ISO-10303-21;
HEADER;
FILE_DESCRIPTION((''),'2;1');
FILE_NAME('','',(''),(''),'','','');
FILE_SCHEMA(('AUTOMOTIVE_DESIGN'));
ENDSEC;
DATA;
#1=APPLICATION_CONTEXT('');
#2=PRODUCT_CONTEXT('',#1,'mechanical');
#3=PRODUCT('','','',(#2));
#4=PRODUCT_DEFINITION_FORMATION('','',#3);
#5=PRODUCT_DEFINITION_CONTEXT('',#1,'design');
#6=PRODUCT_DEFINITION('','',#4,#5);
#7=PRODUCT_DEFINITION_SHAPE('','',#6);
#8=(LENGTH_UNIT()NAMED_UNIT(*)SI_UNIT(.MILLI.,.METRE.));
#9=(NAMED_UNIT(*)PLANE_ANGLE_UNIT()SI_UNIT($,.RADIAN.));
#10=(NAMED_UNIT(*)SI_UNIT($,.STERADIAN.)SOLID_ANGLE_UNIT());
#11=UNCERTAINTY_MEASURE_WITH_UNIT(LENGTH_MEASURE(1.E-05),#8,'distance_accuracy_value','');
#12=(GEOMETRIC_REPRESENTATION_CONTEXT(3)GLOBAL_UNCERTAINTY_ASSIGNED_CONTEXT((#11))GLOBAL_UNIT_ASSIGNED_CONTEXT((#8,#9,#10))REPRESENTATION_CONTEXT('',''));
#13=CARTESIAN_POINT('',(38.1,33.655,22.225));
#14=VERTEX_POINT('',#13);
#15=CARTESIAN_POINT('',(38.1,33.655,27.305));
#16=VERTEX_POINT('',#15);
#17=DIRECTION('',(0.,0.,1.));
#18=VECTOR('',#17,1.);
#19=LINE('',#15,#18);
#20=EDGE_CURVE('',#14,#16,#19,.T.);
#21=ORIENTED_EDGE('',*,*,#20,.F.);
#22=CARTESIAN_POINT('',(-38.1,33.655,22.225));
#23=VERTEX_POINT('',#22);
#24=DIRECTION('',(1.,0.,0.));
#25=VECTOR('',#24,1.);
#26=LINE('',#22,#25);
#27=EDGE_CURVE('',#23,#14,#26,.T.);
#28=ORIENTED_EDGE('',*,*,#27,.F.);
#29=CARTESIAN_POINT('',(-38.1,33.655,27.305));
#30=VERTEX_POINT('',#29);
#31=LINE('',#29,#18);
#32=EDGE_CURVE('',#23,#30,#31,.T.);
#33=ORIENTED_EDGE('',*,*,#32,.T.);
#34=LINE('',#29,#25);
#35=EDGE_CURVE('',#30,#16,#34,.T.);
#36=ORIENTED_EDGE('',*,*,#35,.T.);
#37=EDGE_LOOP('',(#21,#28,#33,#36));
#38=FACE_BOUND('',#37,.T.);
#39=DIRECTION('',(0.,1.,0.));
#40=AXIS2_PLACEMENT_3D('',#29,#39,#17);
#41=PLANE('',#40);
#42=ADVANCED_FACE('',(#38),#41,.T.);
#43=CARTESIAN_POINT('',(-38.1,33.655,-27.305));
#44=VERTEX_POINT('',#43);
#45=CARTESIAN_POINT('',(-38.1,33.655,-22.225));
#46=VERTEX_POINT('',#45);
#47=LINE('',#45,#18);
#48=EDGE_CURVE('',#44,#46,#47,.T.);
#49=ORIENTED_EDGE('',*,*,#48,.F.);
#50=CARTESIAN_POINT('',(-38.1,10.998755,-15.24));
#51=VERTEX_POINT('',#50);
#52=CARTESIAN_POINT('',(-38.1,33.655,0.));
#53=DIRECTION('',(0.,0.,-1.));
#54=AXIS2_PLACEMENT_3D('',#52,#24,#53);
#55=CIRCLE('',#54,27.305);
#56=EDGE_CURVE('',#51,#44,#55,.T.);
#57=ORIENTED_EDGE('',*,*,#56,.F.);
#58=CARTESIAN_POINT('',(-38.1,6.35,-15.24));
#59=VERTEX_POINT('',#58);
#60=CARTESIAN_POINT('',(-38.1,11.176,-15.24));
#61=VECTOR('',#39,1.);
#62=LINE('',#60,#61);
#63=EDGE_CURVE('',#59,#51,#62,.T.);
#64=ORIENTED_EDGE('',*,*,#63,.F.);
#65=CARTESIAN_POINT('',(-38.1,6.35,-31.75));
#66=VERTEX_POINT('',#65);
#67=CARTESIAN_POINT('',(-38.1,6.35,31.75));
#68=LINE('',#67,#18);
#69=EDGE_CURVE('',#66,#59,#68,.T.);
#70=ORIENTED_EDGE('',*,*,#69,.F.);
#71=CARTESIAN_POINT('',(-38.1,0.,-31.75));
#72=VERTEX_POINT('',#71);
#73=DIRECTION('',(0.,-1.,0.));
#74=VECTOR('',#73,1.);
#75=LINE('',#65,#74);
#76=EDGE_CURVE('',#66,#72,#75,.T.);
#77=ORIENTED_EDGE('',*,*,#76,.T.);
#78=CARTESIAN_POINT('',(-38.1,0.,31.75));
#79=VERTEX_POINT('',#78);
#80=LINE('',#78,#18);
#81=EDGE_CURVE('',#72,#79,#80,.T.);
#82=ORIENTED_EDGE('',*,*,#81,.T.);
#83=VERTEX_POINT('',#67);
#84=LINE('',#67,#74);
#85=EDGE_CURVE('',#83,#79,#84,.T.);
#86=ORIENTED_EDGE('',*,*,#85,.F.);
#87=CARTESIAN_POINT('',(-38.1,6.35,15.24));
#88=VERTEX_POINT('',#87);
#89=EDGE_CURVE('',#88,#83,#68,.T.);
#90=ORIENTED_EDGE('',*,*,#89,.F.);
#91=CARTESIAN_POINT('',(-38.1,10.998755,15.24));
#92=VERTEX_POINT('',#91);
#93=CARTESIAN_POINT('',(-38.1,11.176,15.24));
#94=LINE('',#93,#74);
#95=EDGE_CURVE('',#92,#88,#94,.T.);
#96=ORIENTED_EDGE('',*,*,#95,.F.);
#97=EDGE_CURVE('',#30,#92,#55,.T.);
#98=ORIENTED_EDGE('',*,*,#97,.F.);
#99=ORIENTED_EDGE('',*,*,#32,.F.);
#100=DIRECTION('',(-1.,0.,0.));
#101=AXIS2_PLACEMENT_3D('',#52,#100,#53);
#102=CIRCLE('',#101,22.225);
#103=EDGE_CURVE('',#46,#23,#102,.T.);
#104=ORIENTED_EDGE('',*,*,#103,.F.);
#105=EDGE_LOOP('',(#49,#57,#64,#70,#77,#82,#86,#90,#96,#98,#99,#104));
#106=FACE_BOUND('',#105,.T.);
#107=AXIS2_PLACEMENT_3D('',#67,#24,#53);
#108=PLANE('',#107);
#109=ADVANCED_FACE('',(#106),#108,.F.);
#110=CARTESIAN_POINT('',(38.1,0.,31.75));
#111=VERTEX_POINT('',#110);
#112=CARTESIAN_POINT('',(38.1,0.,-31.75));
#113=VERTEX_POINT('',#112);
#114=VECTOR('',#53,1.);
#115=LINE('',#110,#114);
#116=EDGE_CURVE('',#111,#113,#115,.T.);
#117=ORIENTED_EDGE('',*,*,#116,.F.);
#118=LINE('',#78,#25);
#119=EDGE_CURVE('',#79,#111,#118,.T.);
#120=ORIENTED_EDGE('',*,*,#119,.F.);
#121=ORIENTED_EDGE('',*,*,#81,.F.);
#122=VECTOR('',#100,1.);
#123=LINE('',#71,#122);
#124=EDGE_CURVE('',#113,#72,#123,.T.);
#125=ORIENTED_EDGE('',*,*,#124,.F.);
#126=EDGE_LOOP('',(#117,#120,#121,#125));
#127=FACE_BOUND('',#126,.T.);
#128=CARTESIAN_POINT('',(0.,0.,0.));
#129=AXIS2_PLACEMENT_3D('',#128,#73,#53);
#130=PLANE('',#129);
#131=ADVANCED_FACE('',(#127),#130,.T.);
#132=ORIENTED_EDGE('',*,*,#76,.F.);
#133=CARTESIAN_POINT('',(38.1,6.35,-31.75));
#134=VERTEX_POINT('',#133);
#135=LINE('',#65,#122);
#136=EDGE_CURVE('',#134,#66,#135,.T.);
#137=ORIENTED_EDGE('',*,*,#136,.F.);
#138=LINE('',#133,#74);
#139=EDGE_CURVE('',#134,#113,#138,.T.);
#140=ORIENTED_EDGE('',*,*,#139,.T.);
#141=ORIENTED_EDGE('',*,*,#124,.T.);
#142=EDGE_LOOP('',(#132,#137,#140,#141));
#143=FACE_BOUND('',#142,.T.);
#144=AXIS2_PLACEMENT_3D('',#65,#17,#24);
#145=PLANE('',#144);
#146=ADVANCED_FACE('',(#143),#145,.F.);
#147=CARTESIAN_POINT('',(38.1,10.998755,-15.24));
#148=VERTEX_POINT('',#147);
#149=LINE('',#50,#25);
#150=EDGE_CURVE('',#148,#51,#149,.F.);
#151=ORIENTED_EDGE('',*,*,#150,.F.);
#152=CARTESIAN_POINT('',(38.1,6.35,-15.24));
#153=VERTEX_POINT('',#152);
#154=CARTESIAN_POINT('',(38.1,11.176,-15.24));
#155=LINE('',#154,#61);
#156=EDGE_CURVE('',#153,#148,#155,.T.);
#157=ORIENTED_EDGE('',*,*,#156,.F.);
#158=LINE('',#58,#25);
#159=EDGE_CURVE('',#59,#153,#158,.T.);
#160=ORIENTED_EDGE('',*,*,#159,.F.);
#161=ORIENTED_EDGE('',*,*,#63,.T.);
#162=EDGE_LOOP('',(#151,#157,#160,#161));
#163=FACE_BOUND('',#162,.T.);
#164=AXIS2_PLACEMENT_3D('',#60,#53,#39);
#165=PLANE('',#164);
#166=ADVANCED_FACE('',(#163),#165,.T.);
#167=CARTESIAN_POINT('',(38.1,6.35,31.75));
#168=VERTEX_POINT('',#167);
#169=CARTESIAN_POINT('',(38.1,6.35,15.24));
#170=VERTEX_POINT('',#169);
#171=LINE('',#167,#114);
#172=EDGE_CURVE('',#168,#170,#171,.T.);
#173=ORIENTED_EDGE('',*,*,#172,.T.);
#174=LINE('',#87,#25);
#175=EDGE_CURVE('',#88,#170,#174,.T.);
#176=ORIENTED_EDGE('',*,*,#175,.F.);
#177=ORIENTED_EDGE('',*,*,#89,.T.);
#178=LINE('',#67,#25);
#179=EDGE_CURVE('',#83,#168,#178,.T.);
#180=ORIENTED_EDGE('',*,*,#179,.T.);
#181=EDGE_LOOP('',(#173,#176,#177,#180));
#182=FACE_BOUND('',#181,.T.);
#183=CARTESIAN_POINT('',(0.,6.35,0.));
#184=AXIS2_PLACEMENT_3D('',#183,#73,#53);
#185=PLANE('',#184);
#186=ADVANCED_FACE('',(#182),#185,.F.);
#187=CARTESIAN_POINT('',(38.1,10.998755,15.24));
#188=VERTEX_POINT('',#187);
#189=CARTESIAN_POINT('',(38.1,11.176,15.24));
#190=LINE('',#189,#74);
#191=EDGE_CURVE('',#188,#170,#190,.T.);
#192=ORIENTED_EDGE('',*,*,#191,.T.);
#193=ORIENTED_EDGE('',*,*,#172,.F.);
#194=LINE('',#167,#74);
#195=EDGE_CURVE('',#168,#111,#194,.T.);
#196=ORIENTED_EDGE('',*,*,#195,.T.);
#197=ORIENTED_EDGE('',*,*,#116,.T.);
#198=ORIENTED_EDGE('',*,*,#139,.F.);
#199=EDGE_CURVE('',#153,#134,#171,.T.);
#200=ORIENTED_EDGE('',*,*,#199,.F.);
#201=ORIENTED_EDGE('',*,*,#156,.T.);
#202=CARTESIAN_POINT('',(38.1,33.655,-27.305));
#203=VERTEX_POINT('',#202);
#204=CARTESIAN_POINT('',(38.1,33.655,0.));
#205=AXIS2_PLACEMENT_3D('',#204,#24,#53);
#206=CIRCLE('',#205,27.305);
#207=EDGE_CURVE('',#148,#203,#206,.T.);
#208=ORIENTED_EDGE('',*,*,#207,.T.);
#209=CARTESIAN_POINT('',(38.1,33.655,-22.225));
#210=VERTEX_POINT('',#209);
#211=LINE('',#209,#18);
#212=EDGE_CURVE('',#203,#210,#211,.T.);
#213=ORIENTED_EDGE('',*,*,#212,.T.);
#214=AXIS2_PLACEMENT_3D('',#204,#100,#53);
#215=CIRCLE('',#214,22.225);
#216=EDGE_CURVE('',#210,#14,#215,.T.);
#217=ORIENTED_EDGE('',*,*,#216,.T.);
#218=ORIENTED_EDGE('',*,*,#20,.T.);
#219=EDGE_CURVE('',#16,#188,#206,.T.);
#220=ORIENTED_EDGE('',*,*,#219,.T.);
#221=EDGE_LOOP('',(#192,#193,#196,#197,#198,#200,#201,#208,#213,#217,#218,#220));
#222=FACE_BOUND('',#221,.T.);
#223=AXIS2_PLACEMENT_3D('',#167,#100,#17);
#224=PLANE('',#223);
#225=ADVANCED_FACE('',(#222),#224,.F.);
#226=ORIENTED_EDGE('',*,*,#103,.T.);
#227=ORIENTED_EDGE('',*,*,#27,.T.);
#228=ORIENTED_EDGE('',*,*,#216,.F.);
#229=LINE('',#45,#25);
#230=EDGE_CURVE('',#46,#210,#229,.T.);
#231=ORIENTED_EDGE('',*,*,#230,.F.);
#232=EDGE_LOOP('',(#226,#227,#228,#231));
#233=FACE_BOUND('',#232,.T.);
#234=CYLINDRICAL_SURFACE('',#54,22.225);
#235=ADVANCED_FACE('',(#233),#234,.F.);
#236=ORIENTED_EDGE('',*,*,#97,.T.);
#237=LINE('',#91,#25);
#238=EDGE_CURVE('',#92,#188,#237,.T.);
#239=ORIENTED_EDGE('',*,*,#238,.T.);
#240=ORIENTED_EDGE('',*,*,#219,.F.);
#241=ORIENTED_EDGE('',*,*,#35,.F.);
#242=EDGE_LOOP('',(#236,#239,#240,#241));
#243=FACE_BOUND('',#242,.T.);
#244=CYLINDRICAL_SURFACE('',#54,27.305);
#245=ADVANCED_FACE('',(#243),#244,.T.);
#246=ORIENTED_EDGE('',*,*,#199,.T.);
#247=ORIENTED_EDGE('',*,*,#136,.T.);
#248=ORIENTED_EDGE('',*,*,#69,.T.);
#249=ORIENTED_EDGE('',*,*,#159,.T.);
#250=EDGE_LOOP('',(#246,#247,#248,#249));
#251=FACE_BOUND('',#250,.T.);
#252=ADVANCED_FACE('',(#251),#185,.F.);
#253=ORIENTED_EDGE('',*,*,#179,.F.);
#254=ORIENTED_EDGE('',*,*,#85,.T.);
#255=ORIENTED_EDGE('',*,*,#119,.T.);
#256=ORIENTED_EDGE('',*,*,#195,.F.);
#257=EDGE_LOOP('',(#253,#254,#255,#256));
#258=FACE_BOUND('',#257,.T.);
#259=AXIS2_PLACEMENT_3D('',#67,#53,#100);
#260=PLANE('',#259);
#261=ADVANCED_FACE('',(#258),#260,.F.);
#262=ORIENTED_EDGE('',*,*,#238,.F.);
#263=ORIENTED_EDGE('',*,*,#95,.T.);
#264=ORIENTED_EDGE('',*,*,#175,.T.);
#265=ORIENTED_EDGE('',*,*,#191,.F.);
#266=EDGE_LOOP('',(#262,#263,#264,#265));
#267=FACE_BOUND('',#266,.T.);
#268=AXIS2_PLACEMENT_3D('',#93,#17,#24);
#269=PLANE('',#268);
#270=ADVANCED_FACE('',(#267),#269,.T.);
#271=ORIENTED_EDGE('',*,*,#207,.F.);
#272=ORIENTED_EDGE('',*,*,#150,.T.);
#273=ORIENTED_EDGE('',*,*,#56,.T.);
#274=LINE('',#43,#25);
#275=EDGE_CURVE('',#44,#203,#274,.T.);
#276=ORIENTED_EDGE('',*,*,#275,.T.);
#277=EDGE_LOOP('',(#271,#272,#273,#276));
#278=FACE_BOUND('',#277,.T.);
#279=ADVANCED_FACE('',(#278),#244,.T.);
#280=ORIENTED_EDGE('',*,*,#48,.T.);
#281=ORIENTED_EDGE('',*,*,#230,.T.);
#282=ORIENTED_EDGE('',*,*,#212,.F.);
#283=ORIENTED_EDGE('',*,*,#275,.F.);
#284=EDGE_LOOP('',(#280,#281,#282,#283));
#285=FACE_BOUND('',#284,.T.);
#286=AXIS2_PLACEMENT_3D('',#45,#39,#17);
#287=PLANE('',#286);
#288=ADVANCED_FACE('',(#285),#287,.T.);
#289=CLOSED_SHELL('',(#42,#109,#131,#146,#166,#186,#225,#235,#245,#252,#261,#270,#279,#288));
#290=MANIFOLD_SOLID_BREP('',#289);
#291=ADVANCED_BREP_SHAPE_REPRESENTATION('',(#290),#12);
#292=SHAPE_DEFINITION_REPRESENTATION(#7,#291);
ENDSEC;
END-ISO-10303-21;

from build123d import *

# Parameters (mm, degrees)
SKETCH1_W           = 76.2
SKETCH1_H           = 63.5
BOSS_EXTRUDE1_DEPTH = 6.35
BOSS_EXTRUDE2_DEPTH = 76.2
SKETCH3_W           = 30.48
SKETCH3_H           = 4.826
BOSS_EXTRUDE3_DEPTH = 76.2


with BuildPart() as part:
    # Sketch1 → Boss-Extrude1 (new body)
    with BuildSketch(Plane(origin=(0, 0, 0), x_dir=(1, 0, 0), z_dir=(0, 1, 0))):
        Rectangle(SKETCH1_W, SKETCH1_H)
    extrude(amount=BOSS_EXTRUDE1_DEPTH)



with BuildPart() as body_2:
    # Sketch2 → Boss-Extrude2 (new body)
    with BuildSketch(Plane(origin=(38.1, 0, 0), x_dir=(0, 0, -1), z_dir=(1, 0, 0))):
        with BuildLine():
            Line((-27.305, 33.655), (-22.225, 33.655))
            ThreePointArc((-22.225, 33.655), (0, 11.43), (22.225, 33.655))
            Line((22.225, 33.655), (27.305, 33.655))
            ThreePointArc((27.305, 33.655), (0, 6.35), (-27.305, 33.655))
        make_face()
    extrude(amount=-BOSS_EXTRUDE2_DEPTH)


with BuildPart() as part_1:
    add(part.part)

    add(body_2.part)  # Boss-Extrude3 merges body 2
    # Sketch3 → Boss-Extrude3 (add)
    with BuildSketch(Plane(origin=(38.1, 0, 0), x_dir=(0, 0, -1), z_dir=(1, 0, 0))):
        with Locations((0, 8.763)):
            Rectangle(SKETCH3_W, SKETCH3_H)
    extrude(amount=-BOSS_EXTRUDE3_DEPTH)


solid = part_1.part
